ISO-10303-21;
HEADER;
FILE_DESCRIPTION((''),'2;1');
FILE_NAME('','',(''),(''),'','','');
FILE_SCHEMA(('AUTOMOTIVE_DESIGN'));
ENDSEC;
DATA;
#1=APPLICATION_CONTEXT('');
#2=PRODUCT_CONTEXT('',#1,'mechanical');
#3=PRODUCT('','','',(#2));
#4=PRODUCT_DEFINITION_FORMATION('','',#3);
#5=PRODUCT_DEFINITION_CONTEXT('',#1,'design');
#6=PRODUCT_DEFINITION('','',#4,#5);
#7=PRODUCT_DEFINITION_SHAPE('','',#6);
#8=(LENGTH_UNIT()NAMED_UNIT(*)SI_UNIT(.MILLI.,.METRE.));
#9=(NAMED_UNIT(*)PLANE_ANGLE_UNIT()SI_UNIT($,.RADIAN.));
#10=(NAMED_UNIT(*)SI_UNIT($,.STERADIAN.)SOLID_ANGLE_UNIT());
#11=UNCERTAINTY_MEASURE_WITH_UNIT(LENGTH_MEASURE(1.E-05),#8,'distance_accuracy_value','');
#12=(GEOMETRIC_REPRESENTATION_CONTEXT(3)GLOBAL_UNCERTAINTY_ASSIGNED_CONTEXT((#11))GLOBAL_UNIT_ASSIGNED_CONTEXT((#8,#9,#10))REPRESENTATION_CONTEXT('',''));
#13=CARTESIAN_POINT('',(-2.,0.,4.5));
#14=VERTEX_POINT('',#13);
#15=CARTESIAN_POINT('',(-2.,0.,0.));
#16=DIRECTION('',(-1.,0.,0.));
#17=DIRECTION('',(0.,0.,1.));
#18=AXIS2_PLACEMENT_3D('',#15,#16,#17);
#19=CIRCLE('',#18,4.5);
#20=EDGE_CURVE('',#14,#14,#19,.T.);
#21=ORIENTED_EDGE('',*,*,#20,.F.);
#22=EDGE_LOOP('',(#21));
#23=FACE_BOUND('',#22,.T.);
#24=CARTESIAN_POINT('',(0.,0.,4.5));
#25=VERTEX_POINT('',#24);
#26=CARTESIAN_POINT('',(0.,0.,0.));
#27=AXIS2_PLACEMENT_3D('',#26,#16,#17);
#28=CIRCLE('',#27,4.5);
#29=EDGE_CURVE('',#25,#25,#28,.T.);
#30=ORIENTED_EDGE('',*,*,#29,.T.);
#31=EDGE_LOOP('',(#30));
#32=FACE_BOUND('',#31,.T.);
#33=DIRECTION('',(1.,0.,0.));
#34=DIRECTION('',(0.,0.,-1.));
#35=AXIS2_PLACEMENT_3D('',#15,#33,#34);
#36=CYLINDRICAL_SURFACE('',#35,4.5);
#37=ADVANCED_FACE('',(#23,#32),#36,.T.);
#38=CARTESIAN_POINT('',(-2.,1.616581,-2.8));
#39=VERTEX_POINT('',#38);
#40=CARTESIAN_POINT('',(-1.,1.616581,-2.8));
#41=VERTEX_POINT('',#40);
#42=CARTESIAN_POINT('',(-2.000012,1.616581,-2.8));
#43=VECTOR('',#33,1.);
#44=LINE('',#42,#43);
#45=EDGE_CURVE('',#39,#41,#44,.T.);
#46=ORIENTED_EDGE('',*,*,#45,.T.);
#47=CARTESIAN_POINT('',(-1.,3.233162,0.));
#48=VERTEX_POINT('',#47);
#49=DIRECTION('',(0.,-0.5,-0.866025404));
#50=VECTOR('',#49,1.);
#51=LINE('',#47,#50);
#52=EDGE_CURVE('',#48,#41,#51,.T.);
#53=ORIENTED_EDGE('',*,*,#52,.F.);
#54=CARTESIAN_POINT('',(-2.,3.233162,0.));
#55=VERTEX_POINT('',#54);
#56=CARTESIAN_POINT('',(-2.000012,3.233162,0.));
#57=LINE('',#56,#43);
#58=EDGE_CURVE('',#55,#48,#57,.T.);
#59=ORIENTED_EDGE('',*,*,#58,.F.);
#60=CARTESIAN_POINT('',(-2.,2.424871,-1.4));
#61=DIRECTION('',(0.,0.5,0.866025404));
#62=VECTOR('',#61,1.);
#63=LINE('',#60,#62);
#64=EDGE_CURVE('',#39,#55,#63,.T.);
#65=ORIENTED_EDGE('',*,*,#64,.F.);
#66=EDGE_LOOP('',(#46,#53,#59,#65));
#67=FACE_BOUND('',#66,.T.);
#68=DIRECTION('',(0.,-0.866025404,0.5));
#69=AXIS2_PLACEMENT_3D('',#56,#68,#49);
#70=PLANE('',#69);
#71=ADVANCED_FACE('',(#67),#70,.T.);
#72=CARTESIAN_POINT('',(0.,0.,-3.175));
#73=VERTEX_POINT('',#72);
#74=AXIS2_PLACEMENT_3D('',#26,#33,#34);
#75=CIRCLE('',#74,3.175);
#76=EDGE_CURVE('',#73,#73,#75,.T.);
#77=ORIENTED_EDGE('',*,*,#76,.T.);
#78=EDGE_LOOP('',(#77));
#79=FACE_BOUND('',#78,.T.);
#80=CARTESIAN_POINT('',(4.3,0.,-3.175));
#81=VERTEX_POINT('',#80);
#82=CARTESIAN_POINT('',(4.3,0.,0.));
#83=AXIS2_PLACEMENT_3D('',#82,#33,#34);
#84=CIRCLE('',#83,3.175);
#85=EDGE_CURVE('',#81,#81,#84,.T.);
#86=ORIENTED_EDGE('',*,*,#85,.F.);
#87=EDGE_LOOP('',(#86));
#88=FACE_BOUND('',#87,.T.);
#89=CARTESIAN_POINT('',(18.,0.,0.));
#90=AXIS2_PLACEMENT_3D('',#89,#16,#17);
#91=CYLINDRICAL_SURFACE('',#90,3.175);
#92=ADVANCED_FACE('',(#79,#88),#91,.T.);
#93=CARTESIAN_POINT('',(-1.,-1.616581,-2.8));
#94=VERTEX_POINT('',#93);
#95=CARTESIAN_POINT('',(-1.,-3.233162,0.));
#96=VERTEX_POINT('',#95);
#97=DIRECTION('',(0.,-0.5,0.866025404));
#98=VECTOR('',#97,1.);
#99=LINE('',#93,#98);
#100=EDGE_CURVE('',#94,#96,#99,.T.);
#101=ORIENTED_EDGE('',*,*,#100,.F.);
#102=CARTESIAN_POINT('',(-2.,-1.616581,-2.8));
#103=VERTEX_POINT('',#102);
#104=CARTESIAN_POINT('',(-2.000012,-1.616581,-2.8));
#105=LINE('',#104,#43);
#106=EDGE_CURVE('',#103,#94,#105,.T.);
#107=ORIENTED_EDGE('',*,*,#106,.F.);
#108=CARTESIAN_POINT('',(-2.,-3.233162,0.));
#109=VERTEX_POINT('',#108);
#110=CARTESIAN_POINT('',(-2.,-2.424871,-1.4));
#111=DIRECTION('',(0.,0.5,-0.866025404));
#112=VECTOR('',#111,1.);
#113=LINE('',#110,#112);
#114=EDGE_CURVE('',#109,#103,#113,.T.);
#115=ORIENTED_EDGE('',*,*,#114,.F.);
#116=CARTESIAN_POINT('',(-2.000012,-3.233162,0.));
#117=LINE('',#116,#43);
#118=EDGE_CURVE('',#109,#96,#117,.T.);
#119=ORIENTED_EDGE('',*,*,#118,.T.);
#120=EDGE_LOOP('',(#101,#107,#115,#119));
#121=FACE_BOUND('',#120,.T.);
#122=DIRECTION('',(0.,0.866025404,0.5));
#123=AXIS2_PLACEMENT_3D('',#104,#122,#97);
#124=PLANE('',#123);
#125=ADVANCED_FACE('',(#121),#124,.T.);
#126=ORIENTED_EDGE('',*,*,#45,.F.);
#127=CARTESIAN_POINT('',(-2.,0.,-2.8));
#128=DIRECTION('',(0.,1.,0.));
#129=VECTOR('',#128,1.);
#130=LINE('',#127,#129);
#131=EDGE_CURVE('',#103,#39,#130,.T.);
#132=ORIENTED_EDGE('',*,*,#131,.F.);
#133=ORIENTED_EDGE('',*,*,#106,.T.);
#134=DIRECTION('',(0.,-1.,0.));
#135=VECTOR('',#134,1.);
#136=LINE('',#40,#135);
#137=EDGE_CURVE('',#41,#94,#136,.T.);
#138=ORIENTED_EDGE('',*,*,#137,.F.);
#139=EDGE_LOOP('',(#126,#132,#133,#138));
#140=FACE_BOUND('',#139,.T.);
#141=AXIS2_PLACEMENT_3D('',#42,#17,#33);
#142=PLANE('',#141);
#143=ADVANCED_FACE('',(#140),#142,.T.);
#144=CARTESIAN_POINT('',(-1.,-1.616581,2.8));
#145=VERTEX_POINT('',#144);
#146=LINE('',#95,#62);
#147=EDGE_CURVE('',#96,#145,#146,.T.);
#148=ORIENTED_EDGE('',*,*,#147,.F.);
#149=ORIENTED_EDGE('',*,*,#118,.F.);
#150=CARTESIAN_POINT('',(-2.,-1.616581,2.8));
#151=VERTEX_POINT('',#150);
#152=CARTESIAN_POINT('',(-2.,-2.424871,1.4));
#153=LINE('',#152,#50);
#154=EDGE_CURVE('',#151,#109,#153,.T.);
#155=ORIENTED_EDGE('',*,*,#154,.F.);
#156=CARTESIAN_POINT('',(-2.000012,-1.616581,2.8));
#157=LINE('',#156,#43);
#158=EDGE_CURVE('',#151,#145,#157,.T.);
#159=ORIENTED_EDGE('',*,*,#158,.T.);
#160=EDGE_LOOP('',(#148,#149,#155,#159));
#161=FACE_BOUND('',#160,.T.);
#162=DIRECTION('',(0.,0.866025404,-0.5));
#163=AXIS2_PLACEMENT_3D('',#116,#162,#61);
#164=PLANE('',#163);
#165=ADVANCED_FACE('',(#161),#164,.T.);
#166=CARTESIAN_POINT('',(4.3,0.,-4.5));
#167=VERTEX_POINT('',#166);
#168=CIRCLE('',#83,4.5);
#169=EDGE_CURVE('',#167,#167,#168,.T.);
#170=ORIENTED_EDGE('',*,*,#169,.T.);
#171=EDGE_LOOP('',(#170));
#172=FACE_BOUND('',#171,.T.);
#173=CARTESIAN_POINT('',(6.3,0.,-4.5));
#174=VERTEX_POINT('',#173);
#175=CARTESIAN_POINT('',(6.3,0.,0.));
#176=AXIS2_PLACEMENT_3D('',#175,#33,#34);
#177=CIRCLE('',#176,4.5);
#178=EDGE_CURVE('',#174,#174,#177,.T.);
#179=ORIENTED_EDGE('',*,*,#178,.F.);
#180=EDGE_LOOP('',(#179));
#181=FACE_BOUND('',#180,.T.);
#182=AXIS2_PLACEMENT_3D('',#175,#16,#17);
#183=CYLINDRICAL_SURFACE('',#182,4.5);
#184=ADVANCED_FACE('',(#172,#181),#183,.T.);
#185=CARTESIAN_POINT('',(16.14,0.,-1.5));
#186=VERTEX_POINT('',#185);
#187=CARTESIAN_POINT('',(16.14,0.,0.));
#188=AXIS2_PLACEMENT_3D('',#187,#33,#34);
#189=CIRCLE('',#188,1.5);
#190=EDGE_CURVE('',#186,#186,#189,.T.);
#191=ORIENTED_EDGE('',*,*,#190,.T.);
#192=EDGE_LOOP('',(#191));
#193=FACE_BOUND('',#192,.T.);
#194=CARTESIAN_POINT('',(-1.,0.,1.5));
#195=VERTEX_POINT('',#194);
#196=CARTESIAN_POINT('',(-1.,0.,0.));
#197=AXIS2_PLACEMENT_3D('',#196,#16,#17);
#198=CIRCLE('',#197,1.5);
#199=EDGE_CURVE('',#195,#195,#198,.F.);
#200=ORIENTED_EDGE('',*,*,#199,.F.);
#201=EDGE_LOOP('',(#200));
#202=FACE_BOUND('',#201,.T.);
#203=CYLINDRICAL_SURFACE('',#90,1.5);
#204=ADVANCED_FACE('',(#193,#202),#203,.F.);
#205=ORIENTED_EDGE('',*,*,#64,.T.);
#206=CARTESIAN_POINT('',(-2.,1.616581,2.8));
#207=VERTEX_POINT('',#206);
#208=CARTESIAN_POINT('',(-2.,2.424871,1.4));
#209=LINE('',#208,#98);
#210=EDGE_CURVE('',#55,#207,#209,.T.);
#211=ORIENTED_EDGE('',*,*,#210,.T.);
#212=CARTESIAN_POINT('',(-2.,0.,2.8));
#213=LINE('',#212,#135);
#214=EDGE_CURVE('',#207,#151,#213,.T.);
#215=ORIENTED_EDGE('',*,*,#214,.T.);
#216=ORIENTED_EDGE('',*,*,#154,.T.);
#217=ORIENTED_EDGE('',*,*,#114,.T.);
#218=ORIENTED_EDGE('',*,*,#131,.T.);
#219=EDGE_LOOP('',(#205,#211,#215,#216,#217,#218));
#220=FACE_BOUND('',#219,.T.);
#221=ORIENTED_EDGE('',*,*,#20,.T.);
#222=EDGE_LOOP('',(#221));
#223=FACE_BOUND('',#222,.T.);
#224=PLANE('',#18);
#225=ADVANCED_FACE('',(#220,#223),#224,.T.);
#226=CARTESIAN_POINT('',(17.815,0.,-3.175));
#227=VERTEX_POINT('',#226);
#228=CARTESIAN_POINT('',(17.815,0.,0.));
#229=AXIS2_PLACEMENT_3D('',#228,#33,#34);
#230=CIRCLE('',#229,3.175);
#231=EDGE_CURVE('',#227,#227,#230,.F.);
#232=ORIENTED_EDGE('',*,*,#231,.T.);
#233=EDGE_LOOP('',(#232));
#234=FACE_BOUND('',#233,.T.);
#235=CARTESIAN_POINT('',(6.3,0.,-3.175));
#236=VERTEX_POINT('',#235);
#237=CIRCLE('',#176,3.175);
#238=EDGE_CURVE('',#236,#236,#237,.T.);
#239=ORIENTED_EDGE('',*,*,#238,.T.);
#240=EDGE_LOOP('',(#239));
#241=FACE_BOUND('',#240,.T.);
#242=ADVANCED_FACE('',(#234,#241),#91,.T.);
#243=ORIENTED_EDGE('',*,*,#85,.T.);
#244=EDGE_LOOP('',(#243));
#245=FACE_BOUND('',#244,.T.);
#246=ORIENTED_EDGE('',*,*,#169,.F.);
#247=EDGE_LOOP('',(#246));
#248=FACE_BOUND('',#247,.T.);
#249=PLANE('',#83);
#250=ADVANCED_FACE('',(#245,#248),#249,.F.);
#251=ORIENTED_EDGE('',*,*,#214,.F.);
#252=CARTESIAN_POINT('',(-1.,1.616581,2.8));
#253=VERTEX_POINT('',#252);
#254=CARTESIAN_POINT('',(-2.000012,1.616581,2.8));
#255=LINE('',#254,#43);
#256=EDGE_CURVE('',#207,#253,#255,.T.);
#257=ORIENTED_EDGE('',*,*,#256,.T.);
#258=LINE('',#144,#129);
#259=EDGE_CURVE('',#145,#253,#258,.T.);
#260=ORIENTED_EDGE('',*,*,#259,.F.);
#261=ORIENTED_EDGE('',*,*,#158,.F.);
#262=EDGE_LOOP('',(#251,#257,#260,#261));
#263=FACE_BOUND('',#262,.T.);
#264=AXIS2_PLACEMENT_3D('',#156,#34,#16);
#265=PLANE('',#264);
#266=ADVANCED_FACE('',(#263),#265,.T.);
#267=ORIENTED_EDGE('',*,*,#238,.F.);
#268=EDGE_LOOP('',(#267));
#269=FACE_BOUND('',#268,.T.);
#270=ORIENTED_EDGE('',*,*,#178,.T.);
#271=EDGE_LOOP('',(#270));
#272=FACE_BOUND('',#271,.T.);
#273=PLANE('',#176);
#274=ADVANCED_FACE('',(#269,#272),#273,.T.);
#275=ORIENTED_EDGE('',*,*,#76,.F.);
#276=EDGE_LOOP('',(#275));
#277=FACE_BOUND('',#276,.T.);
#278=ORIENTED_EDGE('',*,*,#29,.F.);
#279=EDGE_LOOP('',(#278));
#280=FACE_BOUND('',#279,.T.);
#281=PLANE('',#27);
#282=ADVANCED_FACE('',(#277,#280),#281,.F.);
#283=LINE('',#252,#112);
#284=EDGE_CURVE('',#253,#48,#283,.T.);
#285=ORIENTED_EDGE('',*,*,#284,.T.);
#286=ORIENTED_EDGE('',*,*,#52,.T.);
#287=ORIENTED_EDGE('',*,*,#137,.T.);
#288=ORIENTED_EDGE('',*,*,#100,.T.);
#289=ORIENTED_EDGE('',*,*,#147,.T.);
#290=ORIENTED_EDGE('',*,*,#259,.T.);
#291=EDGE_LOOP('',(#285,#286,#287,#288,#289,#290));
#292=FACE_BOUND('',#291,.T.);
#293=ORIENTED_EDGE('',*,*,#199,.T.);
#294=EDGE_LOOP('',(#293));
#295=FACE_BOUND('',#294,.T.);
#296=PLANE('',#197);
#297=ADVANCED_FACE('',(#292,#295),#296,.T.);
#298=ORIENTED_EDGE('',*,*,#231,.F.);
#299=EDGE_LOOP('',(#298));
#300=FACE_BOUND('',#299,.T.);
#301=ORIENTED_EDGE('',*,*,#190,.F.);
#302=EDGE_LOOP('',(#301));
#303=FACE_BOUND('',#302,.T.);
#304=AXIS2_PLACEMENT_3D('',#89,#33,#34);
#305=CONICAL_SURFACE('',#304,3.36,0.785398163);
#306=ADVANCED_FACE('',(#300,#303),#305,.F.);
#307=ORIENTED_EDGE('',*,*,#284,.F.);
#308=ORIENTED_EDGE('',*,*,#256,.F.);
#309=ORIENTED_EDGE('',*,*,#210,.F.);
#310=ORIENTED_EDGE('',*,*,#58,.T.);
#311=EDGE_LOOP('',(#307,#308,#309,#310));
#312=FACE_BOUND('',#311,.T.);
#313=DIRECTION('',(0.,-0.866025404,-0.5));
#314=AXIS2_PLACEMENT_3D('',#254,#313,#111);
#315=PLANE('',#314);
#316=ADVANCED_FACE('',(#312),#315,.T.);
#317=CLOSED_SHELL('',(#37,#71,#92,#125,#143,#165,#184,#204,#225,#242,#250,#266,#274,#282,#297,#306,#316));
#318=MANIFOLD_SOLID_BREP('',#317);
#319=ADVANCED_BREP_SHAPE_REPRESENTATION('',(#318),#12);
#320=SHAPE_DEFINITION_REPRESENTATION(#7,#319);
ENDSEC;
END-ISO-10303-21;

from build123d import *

# Parameters (mm, degrees)
SKETCH1_R                     = 3.175
BOSS_EXTRUDE1_DEPTH           = 18
SKETCH4_R                     = 4.5
BOSS_EXTRUDE2_DEPTH           = 2
BOSS_EXTRUDE3_START           = -6.3
SKETCH4_3_R                   = 4.5
BOSS_EXTRUDE3_DEPTH           = 2
CUT_EXTRUDE3_DEPTH            = 21.988091862
CUT_EXTRUDE3_DEPTH_BACK       = 21.988091862
SKETCH5_R                     = 1.5
CUT_EXTRUDE4_DEPTH            = 21.988091862
CUT_EXTRUDE4_DEPTH_BACK       = 1
CSK_FOR_M3_SFHCS1_D           = 3
CSK_FOR_M3_SFHCS1_DEPTH       = 5.098709071
CSK_FOR_M3_SFHCS1_CSINK_D     = 6.72
CSK_FOR_M3_SFHCS1_CSINK_ANGLE = 90
CSK_FOR_M3_SFHCS1_TIP         = 0.901290929


with BuildPart() as part:
    # Sketch1 → Boss-Extrude1 (new body)
    with BuildSketch(Plane(origin=(0, 0, 0), x_dir=(0, 0, -1), z_dir=(1, 0, 0))):
        Circle(SKETCH1_R)
    extrude(amount=BOSS_EXTRUDE1_DEPTH)

    # Sketch4 → Boss-Extrude2 (add)
    with BuildSketch(Plane.ZY):
        Circle(SKETCH4_R)
    extrude(amount=BOSS_EXTRUDE2_DEPTH)

    # Sketch4<3> → Boss-Extrude3 (add)
    with BuildSketch(Plane.ZY.offset(BOSS_EXTRUDE3_START)):
        Circle(SKETCH4_3_R)
    extrude(amount=BOSS_EXTRUDE3_DEPTH)

    # Sketch5 → Cut-Extrude3 (cut, two sides: drawn at the far end of the back side and taken through both)
    with BuildSketch(Plane.ZY.offset(2).offset(-CUT_EXTRUDE3_DEPTH_BACK)):
        Circle(SKETCH5_R)
    extrude(amount=CUT_EXTRUDE3_DEPTH + CUT_EXTRUDE3_DEPTH_BACK, mode=Mode.SUBTRACT)

    # Sketch6 → Cut-Extrude4 (cut, two sides: drawn at the far end of the back side and taken through both)
    with BuildSketch(Plane.ZY.offset(2).offset(-CUT_EXTRUDE4_DEPTH_BACK)):
        Polygon((2.8, -1.616580754), (2.8, 1.616580754), (0, 3.233161507), (-2.8, 1.616580754), (-2.8, -1.616580754), (0, -3.233161507), align=None)
    extrude(amount=CUT_EXTRUDE4_DEPTH + CUT_EXTRUDE4_DEPTH_BACK, mode=Mode.SUBTRACT)

    # CSK for M3 SFHCS1
    with Locations(Plane(origin=(18, 0, 0), x_dir=(0, 0, -1), z_dir=(1, 0, 0))):
        with Locations((0, 0)):
            CounterSinkHole(CSK_FOR_M3_SFHCS1_D / 2, CSK_FOR_M3_SFHCS1_CSINK_D / 2, depth=CSK_FOR_M3_SFHCS1_DEPTH, counter_sink_angle=CSK_FOR_M3_SFHCS1_CSINK_ANGLE)
            with Locations((0, 0, -(CSK_FOR_M3_SFHCS1_DEPTH + CSK_FOR_M3_SFHCS1_TIP / 2))):  # 118° drill point
                Cone(0, CSK_FOR_M3_SFHCS1_D / 2, CSK_FOR_M3_SFHCS1_TIP, mode=Mode.SUBTRACT)


solid = part.part
